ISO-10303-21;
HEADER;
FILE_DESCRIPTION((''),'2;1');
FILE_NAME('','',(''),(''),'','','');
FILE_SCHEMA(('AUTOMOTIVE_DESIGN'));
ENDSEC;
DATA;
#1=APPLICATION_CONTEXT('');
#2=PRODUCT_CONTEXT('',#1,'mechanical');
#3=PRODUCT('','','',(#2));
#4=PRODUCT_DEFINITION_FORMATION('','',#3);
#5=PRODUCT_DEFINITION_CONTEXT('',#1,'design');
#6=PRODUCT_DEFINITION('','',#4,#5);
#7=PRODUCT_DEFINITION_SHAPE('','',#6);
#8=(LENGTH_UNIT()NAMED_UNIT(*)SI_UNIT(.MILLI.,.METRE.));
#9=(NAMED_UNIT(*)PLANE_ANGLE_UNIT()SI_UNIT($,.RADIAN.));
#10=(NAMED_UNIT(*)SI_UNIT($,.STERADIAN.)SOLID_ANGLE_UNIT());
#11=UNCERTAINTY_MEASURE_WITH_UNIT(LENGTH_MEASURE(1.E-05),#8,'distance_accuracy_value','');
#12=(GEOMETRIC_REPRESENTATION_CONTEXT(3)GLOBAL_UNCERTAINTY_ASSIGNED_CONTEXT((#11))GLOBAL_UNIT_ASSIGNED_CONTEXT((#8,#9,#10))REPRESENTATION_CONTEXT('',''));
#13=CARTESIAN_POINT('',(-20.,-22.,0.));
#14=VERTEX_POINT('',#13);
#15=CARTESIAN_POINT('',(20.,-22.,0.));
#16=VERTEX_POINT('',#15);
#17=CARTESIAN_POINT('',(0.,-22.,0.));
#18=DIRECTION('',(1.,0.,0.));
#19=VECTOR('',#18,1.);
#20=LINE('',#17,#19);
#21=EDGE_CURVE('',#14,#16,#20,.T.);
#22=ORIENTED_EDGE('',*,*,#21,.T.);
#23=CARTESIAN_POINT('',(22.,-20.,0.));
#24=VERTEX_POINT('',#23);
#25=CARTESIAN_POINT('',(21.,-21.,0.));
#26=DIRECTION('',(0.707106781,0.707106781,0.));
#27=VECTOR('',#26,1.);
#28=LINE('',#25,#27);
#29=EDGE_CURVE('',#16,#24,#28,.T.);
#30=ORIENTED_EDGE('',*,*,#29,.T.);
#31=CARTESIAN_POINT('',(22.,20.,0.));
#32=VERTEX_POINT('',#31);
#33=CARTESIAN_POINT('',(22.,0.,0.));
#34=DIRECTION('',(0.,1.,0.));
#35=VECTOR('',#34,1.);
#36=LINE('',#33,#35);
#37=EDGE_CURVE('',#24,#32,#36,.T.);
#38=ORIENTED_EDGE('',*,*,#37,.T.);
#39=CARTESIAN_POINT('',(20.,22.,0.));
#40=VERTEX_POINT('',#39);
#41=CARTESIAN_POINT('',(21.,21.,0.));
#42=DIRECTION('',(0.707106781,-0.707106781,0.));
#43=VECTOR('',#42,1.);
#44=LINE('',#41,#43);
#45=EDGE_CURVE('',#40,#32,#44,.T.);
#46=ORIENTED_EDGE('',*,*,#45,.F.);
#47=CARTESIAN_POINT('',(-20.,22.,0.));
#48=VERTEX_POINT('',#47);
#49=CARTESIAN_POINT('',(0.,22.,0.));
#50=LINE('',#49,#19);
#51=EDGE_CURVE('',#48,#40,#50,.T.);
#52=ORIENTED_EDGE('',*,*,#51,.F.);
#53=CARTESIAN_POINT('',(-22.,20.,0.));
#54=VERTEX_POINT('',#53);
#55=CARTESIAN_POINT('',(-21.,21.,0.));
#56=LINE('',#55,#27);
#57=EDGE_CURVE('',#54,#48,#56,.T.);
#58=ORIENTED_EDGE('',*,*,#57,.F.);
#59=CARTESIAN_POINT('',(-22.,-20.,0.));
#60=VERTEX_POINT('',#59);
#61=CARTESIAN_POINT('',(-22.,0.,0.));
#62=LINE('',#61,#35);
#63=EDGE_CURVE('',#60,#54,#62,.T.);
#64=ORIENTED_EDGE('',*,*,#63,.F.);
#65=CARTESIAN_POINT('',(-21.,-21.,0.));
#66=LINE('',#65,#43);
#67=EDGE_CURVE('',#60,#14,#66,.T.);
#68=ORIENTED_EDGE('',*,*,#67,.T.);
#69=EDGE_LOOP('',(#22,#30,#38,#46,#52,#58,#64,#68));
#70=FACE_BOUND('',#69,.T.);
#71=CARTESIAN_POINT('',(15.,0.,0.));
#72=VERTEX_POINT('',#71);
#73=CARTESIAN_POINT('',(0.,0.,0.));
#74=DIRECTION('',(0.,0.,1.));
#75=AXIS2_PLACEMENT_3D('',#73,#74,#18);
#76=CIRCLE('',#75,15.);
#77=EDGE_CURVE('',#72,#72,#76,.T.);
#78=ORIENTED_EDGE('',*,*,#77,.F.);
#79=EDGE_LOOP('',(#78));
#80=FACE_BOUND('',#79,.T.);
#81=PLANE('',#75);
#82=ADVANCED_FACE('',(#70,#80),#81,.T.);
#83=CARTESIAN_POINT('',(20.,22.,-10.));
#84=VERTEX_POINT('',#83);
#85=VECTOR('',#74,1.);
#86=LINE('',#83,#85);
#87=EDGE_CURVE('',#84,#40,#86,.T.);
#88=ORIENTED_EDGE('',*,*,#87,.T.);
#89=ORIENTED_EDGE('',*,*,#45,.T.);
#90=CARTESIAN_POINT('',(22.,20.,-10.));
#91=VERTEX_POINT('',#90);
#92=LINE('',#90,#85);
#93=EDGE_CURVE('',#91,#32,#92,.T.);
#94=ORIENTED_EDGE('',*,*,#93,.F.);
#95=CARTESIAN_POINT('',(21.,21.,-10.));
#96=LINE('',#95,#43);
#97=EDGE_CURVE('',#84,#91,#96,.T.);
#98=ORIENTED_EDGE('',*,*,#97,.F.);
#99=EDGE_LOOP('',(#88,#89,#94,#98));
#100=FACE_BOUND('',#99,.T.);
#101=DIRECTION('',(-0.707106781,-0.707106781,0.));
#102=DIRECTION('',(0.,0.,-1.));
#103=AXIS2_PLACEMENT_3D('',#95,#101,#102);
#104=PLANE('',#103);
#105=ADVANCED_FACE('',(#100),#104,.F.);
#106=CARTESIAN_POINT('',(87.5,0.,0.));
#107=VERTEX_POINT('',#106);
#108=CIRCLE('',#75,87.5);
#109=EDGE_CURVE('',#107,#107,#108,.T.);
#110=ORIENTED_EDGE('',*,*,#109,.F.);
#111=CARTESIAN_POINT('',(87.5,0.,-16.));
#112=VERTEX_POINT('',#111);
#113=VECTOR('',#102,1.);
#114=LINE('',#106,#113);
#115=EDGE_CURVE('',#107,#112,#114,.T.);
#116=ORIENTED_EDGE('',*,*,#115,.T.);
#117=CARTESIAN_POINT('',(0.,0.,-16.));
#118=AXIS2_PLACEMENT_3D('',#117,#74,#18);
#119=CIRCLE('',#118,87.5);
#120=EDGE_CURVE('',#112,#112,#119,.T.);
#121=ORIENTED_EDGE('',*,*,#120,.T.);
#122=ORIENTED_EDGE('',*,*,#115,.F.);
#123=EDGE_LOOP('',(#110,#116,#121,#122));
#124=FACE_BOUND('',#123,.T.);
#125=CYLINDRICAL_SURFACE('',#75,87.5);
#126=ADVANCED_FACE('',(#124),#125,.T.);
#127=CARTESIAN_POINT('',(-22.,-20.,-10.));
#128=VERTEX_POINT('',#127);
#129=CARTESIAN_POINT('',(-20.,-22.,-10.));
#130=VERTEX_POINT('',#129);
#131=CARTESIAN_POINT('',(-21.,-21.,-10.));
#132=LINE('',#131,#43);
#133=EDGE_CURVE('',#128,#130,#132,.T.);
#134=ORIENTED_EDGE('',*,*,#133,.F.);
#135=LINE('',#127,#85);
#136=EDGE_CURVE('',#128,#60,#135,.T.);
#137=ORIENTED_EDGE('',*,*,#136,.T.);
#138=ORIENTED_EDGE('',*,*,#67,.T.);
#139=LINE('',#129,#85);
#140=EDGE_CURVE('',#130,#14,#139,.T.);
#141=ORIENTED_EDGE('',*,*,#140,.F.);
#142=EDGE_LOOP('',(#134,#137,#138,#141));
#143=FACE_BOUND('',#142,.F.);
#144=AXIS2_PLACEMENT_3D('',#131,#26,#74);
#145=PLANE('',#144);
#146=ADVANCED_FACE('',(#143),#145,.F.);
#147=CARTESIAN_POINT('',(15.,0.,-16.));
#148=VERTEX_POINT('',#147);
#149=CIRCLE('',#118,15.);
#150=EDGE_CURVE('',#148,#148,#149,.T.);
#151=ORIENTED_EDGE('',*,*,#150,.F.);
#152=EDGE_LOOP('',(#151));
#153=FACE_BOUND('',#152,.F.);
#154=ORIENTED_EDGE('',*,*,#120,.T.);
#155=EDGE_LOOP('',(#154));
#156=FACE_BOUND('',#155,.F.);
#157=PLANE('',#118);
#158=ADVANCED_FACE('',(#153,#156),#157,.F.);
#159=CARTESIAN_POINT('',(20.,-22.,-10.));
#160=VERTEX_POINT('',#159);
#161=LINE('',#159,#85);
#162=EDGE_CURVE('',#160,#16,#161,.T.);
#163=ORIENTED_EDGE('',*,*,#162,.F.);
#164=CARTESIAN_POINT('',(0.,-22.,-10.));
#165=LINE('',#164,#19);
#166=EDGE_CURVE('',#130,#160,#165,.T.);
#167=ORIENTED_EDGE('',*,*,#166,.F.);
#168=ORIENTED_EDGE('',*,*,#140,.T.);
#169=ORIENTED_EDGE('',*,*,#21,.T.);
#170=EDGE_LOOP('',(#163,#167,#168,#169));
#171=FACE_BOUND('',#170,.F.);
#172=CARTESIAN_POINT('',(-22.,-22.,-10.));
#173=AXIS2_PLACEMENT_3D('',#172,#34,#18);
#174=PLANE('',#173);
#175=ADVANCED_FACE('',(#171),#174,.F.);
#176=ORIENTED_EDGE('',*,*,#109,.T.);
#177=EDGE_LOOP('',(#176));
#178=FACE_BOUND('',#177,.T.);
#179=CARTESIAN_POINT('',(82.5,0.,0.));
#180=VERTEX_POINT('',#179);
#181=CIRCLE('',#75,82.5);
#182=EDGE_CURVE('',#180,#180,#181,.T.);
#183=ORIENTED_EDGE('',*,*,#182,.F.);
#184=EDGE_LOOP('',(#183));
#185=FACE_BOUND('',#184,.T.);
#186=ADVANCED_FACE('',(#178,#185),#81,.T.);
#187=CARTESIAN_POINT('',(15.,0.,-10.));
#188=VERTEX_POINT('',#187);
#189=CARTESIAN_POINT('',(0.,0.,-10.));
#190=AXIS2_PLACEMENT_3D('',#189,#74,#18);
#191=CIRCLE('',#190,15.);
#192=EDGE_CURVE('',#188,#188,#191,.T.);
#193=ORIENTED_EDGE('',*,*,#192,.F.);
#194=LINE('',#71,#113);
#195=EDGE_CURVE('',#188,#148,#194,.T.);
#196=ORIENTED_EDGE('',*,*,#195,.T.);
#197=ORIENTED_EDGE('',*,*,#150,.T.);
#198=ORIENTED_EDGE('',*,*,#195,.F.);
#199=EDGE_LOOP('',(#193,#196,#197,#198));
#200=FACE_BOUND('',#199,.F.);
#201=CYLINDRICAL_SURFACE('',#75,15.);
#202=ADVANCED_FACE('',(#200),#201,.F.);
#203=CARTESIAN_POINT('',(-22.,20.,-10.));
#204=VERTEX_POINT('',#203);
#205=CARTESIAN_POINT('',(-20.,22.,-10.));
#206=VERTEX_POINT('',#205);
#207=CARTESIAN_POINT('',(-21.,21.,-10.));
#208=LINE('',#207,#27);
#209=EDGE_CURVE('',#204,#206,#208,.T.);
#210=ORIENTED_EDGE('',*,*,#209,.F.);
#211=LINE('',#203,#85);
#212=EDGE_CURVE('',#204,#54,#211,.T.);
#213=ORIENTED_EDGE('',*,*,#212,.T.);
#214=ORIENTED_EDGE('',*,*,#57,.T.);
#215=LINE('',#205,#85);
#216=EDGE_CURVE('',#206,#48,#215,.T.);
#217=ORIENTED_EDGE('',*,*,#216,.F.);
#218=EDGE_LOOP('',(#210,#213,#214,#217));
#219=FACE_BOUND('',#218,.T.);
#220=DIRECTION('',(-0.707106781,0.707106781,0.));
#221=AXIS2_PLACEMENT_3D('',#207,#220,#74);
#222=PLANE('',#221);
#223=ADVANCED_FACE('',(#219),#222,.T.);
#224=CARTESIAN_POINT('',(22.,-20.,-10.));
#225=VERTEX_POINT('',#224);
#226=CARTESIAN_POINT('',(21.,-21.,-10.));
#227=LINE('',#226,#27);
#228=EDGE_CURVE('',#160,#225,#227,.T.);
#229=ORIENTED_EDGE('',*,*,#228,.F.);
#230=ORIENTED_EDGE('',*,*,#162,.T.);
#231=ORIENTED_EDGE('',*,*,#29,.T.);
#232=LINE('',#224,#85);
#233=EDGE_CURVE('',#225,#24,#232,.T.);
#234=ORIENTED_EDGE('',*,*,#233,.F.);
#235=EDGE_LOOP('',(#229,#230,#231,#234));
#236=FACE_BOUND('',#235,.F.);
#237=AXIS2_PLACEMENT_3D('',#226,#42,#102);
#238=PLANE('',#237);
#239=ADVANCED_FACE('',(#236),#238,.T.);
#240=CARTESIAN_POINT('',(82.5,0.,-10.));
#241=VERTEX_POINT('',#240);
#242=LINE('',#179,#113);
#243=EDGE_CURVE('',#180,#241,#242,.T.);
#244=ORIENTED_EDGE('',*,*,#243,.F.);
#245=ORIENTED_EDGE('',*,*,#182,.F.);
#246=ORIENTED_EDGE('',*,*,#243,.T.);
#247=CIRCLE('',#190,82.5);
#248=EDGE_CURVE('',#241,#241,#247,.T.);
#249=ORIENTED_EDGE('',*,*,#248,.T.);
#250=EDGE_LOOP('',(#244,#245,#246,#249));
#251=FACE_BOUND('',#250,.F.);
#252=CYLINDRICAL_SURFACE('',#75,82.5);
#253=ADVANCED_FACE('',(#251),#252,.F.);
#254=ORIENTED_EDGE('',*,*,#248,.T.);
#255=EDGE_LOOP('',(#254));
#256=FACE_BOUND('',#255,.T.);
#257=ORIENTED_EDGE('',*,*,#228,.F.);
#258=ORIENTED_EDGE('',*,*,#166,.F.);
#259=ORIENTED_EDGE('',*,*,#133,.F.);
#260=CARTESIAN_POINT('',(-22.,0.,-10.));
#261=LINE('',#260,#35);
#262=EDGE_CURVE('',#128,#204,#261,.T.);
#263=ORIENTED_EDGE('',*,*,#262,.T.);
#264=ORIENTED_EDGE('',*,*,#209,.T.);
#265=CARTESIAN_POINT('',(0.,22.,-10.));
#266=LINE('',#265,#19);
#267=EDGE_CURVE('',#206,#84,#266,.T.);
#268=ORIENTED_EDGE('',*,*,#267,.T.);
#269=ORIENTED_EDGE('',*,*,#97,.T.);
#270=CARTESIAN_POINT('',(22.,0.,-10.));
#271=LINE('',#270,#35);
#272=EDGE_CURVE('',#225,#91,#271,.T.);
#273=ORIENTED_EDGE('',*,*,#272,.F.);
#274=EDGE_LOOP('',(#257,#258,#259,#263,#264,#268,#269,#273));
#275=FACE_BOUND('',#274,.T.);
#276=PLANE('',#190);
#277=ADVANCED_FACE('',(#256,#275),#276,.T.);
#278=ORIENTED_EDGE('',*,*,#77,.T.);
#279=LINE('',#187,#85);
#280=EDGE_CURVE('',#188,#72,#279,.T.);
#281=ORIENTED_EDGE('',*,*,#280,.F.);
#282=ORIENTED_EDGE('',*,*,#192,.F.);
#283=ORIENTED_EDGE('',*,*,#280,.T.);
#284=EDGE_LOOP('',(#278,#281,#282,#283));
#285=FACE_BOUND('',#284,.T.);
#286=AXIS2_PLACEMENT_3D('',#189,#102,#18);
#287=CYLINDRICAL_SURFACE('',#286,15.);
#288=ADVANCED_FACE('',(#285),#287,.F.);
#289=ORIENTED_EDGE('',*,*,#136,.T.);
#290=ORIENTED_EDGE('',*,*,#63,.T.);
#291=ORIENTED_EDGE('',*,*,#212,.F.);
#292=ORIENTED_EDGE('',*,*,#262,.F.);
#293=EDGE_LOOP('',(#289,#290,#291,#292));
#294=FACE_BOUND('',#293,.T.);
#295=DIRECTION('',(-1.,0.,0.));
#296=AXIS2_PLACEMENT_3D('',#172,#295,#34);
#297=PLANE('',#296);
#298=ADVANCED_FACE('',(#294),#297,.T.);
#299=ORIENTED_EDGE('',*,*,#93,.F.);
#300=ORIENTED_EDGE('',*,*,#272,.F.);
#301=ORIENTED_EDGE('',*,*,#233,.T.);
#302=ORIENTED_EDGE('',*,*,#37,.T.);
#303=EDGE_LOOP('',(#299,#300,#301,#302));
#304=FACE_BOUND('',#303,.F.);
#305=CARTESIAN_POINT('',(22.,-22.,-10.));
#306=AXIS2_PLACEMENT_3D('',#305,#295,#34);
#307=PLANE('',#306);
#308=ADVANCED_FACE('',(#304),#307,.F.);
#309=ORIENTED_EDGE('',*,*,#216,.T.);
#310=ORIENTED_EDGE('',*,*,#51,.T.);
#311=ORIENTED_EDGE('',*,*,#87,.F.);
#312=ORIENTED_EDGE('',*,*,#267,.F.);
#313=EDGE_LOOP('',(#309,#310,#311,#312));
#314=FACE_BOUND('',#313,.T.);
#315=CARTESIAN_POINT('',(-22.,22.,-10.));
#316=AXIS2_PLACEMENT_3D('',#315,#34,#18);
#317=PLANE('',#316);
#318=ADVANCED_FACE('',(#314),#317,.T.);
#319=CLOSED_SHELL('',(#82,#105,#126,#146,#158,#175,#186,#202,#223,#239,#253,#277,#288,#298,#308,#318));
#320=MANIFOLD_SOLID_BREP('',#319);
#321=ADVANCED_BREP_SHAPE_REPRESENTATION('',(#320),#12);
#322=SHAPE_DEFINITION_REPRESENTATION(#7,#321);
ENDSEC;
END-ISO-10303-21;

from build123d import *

# Parameters (mm, degrees)
F0_R     = 87.5
F0_R_2   = 82.5
F0_R_3   = 15
F1_DEPTH = 16
F2_DEPTH = 10
F3_W     = 44
F3_H     = 44
F3_R     = 15
F4_DEPTH = 10
F5_SIZE  = 2


with BuildPart() as f1:
    # F0 (on Top) → F1 (new body)
    with BuildSketch(Plane.XY):
        Circle(F0_R)
        Circle(F0_R_2, mode=Mode.SUBTRACT)
        Circle(F0_R_2)
        Circle(F0_R_3, mode=Mode.SUBTRACT)
    extrude(amount=-F1_DEPTH)

    # F0 (on Top) → F2 (cut)
    with BuildSketch(Plane.XY):
        Circle(F0_R_2)
        Circle(F0_R_3, mode=Mode.SUBTRACT)
    extrude(amount=-F2_DEPTH, mode=Mode.SUBTRACT)

    # F3 (on face) → F4 (join)
    with BuildSketch(Plane.XY.offset(-10)):
        Rectangle(F3_W, F3_H)
        Circle(F3_R, mode=Mode.SUBTRACT)
    extrude(amount=F4_DEPTH)

    # F5
    f5_edges = [f1.edges().sort_by_distance(p)[0] for p in [
        (22, -22, -5),
        (-22, -22, -5),
        (22, 22, -5),
        (-22, 22, -5),
    ]]
    chamfer(f5_edges, length=F5_SIZE)


solid = f1.part
